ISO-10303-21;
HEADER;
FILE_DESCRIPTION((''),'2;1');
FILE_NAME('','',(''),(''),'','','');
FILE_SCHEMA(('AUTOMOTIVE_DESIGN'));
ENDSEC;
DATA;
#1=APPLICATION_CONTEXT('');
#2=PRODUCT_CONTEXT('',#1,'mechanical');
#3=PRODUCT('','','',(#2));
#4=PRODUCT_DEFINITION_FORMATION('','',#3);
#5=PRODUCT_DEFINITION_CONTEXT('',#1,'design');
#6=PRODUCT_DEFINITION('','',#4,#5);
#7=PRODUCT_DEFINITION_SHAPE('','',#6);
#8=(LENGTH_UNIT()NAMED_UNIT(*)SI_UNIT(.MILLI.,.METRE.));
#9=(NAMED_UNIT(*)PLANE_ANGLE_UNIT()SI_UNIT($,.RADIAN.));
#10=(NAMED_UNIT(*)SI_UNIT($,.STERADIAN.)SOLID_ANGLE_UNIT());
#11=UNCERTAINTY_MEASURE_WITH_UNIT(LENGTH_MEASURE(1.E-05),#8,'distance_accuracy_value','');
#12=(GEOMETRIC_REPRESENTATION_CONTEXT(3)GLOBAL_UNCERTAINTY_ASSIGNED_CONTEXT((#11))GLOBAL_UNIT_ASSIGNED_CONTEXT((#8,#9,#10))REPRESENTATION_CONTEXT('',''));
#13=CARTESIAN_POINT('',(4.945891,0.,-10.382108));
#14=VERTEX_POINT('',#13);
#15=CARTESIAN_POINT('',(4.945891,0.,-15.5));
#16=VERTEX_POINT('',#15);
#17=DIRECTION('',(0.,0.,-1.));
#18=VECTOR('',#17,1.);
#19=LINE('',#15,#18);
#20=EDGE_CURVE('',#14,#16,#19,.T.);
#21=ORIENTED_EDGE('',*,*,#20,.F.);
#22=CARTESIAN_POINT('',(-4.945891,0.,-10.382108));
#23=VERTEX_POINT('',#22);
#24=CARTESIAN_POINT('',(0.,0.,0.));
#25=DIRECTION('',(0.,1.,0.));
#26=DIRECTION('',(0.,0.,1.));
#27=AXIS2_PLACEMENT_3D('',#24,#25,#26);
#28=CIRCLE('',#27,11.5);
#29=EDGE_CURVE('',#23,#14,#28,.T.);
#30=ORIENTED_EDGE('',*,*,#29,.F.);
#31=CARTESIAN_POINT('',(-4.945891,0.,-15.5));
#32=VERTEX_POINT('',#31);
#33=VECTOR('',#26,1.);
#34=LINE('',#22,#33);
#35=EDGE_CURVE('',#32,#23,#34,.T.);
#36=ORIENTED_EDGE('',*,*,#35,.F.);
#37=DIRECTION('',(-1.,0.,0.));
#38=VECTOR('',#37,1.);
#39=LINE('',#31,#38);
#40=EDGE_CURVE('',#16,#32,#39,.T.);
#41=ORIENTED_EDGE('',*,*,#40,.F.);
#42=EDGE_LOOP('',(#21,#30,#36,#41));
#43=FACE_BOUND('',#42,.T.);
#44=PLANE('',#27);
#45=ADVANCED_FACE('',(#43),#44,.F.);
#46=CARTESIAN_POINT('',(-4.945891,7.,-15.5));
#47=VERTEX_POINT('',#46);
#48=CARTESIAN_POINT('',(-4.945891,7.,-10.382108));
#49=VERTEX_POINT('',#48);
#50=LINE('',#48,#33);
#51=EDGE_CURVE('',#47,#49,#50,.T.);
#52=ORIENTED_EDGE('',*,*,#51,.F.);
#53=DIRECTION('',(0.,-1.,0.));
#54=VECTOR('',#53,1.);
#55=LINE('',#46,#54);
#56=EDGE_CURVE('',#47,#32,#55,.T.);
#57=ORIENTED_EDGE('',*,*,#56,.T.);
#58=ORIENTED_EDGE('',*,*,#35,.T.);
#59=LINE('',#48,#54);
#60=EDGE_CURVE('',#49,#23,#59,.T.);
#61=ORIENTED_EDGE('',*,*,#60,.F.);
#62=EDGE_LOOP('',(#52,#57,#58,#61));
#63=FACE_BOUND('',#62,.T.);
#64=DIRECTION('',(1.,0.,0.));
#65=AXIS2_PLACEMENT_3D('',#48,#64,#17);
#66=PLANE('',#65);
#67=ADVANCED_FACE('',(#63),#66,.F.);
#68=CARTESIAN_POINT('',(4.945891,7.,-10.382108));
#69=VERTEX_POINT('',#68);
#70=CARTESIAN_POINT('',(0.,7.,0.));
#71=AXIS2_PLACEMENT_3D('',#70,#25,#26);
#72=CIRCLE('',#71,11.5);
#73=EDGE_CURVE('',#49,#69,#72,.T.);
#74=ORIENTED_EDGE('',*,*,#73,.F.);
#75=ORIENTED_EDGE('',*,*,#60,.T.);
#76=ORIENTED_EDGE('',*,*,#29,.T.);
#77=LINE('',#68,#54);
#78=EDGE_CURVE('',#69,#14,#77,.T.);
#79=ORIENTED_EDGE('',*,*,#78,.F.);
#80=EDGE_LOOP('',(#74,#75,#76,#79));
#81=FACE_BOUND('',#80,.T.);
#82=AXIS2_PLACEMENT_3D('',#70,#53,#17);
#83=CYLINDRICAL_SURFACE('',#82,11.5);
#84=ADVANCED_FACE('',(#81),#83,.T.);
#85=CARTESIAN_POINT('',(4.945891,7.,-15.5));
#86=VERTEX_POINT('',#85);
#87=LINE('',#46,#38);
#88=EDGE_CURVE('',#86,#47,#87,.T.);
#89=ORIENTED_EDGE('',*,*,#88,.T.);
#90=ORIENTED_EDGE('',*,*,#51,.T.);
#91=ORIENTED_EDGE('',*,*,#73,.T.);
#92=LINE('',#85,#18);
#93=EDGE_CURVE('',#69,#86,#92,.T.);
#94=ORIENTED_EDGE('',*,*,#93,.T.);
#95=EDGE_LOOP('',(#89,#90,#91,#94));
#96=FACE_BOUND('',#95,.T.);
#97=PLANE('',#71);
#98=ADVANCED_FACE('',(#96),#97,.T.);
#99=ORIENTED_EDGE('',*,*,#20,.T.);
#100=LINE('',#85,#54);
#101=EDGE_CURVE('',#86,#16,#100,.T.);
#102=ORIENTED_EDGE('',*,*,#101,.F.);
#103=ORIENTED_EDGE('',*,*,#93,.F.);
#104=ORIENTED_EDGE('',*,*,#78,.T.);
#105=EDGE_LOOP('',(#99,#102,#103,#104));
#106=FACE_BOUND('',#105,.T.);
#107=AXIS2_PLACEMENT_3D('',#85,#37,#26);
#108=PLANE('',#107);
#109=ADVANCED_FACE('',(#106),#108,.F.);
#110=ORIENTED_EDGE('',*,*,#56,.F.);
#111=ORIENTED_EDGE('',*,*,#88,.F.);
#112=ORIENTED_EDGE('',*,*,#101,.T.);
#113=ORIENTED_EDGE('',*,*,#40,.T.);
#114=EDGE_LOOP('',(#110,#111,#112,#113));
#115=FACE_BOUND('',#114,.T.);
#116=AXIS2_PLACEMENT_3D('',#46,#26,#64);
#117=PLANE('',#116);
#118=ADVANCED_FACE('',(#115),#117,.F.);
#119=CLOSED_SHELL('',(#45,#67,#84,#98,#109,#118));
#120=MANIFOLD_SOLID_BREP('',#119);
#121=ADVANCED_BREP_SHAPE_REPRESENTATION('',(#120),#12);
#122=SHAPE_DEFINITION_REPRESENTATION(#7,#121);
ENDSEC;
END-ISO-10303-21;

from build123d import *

# Parameters (mm, degrees)
BOSS_EXTRUDE1_DEPTH = 7


with BuildPart() as part:
    # Sketch1 → Boss-Extrude1 (new body)
    with BuildSketch(Plane(origin=(0, 0, 0), x_dir=(1, 0, 0), z_dir=(0, 1, 0))):
        with BuildLine():
            Line((-4.945890924, 15.5), (4.945890924, 15.5))
            Line((4.945890924, 15.5), (4.945890924, 10.382107829))
            ThreePointArc((4.945890924, 10.382107829), (0, -11.5), (-4.945890924, 10.382107829))
            Line((-4.945890924, 10.382107829), (-4.945890924, 15.5))
        make_face()
    extrude(amount=BOSS_EXTRUDE1_DEPTH)


solid = part.part
